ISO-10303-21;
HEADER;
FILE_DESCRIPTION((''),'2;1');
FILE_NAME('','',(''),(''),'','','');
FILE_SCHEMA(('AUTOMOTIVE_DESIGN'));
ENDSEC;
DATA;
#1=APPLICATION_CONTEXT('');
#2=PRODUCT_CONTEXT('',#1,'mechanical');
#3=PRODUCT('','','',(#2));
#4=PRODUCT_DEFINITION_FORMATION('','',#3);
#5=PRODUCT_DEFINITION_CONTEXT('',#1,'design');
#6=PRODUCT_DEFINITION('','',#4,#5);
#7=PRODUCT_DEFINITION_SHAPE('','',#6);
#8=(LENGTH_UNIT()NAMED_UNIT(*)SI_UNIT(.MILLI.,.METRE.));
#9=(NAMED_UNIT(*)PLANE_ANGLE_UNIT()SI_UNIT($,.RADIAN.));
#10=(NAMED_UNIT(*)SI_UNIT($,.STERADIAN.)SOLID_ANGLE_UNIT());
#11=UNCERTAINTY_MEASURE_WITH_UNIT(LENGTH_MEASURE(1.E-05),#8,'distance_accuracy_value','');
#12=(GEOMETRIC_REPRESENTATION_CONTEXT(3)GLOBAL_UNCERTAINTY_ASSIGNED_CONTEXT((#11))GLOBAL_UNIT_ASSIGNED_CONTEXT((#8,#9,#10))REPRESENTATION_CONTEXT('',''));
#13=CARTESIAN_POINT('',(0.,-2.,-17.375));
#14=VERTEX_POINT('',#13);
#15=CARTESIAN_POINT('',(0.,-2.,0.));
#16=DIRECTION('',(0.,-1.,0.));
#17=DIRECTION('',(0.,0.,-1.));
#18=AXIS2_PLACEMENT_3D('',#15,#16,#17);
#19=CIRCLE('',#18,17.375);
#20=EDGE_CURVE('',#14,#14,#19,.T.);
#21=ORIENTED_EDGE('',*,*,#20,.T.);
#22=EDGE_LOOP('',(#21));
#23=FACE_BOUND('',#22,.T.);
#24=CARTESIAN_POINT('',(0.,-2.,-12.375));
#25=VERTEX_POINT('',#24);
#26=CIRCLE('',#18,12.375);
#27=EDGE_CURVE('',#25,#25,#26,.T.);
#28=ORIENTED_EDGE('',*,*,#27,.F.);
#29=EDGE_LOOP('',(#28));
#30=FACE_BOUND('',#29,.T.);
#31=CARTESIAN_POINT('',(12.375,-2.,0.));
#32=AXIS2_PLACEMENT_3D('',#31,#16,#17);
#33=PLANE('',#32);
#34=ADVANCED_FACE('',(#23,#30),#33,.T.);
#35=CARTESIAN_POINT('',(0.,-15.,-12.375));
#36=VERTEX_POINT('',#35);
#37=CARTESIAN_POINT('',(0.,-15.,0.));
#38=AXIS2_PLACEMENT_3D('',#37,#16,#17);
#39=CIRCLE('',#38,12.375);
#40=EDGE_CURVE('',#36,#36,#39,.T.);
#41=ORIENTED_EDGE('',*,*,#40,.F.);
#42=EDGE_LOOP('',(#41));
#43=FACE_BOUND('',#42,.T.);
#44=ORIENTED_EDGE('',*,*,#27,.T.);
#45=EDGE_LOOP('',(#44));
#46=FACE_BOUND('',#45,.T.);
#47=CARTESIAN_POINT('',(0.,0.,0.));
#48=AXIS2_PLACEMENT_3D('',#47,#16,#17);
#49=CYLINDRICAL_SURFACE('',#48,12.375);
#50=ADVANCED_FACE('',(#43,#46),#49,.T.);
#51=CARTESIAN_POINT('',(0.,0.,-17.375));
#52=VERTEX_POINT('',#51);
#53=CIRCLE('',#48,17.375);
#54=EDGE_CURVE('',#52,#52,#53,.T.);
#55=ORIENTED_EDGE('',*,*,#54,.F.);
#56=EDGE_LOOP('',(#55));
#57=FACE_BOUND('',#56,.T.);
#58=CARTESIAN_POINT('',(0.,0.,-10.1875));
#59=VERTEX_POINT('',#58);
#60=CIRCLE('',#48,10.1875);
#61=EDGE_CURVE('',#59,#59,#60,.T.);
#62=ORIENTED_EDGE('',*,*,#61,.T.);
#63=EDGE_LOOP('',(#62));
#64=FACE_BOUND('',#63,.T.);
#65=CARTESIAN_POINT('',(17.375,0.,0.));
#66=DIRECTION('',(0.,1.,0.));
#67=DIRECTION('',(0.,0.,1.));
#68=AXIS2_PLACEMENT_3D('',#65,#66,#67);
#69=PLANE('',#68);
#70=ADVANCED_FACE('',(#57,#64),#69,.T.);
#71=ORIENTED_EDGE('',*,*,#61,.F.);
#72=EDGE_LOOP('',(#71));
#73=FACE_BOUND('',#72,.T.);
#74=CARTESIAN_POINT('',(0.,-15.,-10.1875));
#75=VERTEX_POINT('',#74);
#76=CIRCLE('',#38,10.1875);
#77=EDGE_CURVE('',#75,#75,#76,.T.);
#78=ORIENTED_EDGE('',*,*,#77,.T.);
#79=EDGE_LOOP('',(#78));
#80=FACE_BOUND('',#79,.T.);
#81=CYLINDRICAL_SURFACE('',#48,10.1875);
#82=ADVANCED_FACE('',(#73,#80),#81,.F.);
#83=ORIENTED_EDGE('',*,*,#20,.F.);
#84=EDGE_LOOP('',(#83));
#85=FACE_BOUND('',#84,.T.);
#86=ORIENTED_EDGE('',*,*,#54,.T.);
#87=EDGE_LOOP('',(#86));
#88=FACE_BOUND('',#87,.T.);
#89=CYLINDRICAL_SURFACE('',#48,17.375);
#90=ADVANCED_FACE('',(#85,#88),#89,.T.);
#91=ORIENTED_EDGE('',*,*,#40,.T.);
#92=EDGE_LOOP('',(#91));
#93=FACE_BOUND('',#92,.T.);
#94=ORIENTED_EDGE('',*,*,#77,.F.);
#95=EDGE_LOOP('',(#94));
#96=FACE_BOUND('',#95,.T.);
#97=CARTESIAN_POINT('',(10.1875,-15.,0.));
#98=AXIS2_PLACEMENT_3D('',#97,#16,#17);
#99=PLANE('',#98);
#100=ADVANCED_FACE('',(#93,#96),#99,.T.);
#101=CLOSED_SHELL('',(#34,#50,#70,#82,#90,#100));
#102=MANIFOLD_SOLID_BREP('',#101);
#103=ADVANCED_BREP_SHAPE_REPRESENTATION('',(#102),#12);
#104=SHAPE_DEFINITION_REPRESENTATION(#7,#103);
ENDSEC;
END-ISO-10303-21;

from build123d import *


with BuildPart() as part:
    # Sketch1 → Revolve1 (revolve)
    with BuildSketch(Plane.XY, mode=Mode.PRIVATE) as revolve1_sk:
        Polygon((10.1875, -15), (12.375, -15), (12.375, -2), (17.375, -2), (17.375, 0), (10.1875, 0), align=None)
    revolve(revolve1_sk.sketch.rotate(Axis((0, 0, 0), (0, 1, 0)), 90), axis=Axis((0, 0, 0), (0, 1, 0)))


solid = part.part
